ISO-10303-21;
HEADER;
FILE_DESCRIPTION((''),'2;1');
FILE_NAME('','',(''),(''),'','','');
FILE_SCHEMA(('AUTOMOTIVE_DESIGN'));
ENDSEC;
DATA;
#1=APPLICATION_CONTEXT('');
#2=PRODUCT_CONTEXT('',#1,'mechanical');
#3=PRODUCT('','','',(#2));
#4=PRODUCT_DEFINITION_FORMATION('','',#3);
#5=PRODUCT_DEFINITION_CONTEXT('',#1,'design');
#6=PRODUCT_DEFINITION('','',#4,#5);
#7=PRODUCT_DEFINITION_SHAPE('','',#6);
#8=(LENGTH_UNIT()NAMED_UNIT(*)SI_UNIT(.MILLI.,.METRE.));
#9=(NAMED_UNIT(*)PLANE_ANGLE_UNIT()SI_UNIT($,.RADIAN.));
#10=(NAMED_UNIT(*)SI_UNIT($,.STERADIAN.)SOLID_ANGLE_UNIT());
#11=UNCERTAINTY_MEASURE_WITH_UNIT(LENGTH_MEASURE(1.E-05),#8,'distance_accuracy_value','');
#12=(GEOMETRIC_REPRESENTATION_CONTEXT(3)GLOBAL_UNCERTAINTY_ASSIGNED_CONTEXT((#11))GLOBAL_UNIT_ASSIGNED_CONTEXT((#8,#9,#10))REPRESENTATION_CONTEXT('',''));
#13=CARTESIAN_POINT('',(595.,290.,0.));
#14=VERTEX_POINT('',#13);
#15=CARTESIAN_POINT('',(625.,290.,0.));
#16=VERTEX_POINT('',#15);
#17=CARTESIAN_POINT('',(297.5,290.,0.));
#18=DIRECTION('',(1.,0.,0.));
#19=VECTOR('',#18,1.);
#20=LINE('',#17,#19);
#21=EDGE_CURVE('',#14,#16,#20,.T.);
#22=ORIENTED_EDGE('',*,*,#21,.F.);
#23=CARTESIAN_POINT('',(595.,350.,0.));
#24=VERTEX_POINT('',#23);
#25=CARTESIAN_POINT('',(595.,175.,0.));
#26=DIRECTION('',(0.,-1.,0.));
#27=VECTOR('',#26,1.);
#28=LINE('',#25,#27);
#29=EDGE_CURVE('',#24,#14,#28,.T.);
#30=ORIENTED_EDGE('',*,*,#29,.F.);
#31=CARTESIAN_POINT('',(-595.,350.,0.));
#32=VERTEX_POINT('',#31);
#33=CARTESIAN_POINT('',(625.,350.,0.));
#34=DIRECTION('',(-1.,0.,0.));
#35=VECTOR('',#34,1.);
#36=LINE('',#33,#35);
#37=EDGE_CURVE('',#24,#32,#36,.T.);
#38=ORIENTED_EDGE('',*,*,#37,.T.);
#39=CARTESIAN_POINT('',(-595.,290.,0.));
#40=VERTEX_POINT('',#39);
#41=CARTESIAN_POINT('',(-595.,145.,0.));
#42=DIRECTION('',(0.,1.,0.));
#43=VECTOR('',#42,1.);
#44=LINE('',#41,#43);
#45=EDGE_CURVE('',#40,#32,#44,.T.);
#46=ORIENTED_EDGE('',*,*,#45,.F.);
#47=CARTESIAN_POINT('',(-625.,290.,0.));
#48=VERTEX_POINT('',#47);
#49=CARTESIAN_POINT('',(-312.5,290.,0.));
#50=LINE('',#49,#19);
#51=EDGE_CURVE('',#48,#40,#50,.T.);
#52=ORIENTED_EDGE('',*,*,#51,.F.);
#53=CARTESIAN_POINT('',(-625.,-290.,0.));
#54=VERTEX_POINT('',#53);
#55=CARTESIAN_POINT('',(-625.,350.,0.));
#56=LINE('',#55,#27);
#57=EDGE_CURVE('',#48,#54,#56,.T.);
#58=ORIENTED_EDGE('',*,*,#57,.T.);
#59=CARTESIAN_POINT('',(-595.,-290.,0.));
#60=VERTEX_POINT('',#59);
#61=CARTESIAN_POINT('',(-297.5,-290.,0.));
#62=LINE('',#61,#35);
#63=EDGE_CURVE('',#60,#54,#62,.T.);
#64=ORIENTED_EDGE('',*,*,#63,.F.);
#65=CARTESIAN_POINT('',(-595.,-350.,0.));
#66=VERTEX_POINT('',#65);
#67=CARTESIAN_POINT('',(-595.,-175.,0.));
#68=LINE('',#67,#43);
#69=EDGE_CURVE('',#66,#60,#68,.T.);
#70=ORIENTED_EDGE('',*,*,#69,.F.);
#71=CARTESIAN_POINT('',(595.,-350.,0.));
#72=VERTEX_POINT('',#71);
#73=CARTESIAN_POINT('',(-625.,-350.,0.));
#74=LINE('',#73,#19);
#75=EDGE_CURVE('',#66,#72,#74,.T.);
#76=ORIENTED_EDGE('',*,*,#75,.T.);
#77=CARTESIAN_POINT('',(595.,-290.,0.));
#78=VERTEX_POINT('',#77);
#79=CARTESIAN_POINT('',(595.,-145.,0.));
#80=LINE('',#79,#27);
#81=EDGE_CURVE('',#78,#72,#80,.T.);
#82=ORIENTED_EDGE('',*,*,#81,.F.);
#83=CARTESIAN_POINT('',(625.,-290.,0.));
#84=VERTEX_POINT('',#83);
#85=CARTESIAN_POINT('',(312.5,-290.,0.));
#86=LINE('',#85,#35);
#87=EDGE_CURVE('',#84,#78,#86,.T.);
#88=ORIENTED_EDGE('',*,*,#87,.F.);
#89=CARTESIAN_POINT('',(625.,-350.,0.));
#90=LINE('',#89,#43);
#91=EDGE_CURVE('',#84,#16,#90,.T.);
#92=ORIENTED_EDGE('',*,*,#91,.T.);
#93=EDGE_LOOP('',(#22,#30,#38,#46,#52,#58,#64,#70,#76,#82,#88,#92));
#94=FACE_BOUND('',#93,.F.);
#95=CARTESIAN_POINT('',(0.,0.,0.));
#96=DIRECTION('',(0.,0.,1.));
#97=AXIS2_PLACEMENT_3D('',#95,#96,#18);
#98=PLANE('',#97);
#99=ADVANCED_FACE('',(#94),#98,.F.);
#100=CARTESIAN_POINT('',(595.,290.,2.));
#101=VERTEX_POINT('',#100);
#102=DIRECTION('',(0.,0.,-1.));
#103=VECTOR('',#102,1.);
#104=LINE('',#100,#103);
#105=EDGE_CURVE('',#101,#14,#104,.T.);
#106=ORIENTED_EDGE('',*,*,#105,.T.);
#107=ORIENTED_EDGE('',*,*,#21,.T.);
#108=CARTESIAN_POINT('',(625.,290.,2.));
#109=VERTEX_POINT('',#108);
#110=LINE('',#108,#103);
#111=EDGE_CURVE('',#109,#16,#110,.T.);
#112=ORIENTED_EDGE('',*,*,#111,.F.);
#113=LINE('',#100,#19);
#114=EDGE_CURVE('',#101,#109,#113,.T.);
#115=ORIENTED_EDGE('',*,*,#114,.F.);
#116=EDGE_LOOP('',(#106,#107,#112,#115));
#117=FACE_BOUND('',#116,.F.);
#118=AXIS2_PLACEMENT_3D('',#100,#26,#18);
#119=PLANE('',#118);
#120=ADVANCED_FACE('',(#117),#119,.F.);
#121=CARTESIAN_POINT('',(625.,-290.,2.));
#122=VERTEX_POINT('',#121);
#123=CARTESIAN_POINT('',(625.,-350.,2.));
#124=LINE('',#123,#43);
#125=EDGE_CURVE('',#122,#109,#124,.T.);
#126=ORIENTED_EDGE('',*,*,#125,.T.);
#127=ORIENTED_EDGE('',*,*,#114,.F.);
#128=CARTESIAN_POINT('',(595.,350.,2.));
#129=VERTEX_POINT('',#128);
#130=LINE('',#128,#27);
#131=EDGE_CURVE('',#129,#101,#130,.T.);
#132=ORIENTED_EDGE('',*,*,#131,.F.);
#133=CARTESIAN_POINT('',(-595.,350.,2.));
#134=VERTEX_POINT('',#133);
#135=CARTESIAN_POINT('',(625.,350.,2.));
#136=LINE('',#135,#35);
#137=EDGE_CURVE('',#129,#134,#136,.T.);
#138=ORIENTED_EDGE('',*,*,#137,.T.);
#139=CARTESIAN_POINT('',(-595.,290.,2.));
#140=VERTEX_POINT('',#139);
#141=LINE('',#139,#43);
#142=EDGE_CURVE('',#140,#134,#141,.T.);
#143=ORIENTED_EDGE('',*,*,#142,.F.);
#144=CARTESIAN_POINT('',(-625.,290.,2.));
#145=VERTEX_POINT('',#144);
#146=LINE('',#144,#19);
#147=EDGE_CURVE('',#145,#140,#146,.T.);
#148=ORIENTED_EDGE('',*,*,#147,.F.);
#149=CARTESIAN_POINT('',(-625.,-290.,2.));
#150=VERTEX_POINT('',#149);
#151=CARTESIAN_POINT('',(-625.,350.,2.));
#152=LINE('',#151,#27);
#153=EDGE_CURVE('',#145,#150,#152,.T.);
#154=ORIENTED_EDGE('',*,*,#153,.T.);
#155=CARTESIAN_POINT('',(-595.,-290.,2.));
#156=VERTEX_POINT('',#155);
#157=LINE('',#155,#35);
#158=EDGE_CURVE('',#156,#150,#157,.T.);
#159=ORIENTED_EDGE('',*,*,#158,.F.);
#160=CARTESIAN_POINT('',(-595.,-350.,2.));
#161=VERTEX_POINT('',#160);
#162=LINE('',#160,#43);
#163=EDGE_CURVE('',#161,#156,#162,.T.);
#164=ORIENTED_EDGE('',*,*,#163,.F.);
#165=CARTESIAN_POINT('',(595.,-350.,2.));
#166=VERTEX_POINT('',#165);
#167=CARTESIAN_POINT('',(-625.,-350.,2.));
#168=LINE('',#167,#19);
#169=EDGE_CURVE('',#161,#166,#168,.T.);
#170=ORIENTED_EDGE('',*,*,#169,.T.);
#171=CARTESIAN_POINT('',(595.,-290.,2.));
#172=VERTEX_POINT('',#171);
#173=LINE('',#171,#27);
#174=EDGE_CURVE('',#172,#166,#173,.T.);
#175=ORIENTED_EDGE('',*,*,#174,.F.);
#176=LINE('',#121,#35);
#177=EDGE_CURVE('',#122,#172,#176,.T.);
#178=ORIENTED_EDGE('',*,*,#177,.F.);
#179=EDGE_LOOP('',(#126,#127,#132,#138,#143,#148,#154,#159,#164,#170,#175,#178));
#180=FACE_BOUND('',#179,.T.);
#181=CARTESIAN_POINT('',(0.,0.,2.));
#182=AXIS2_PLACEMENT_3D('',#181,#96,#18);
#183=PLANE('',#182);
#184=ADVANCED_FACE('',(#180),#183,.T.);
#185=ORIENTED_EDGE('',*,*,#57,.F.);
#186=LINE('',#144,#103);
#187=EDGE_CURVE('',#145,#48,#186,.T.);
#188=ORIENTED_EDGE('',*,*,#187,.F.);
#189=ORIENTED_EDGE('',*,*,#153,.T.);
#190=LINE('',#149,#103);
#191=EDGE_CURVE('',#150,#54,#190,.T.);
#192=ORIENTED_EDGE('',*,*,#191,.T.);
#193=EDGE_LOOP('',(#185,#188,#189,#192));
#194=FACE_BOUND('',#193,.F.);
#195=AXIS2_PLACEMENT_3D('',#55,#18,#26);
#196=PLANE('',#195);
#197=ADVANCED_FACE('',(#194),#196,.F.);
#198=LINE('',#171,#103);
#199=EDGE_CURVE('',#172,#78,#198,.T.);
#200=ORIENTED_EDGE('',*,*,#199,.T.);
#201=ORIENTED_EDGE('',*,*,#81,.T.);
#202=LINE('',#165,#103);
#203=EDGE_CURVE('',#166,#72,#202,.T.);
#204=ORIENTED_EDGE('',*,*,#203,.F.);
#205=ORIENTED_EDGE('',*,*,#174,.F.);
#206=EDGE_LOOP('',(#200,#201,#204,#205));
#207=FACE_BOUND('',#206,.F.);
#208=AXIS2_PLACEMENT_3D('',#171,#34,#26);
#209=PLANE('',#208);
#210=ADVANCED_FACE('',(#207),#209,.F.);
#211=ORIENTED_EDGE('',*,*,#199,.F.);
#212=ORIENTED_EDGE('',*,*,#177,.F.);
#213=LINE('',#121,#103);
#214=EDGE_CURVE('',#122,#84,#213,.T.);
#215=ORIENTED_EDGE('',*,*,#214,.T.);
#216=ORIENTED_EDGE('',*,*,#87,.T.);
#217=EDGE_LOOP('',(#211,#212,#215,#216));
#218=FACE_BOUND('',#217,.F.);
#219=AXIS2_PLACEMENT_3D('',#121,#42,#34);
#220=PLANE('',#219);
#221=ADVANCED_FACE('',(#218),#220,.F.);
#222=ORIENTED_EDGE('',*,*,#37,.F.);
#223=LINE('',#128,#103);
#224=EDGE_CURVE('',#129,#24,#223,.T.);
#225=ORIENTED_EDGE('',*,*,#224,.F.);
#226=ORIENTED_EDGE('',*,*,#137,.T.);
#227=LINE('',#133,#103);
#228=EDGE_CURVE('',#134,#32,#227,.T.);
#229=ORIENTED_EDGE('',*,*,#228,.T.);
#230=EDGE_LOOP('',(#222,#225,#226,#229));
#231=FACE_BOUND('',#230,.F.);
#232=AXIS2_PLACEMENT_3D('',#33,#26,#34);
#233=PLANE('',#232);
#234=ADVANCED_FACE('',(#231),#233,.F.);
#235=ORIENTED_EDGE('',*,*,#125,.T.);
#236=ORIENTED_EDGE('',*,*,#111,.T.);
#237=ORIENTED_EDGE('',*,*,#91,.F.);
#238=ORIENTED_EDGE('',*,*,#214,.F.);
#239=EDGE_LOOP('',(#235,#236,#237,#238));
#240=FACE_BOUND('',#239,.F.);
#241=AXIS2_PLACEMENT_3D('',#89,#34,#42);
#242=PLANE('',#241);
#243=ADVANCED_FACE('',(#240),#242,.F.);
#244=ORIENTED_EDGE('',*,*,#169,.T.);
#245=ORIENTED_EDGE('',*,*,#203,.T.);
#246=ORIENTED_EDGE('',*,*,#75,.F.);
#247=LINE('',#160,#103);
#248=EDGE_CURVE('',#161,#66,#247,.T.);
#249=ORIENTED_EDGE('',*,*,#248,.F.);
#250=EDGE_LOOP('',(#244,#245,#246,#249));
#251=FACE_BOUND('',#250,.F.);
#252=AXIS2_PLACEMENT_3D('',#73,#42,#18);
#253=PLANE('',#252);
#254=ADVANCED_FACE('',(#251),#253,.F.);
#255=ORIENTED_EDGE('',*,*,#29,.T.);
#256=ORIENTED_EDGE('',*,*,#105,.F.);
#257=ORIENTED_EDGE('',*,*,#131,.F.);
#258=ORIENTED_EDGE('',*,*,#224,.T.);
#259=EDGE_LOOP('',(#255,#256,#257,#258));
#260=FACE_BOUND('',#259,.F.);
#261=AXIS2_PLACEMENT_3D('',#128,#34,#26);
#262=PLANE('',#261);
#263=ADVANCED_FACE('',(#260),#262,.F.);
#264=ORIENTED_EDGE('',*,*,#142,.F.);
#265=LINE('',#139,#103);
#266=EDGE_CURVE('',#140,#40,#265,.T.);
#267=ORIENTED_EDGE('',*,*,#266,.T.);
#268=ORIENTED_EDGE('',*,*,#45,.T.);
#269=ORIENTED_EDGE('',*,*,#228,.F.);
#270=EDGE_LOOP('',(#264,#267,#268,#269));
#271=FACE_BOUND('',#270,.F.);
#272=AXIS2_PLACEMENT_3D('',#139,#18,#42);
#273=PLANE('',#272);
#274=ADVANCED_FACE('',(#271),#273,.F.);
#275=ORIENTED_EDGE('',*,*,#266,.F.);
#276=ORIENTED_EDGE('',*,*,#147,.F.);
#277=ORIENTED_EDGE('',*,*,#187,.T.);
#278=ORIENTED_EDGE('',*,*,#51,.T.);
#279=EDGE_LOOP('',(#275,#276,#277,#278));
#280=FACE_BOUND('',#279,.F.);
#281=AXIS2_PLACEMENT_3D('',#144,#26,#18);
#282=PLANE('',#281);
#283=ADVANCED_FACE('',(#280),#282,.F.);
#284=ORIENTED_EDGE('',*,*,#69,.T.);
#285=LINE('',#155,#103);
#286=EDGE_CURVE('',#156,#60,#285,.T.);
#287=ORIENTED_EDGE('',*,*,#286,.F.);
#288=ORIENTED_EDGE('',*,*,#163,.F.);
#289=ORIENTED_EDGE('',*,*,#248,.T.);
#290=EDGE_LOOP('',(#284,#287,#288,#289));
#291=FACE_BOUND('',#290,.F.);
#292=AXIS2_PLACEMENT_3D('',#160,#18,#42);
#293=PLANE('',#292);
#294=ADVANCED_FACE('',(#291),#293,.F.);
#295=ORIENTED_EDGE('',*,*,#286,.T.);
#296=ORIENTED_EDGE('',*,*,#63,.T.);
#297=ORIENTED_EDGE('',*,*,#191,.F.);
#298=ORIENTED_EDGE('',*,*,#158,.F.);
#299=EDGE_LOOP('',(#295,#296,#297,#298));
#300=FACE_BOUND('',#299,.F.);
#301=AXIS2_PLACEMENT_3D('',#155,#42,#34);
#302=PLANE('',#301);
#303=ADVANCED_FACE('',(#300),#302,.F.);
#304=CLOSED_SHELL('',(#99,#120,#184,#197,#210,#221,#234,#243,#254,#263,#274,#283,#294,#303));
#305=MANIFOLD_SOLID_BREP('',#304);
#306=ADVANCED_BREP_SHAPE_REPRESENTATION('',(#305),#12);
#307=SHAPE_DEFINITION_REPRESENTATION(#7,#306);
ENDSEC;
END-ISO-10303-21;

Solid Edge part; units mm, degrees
sketch "Sketch1" plane through (0, 0, 0) normal (0, 0, 1) x (1, 0, 0)
  line L0 (-625, -350) -> (625, -350)
  line L1 (625, -350) -> (625, 350)
  line L2 (625, 350) -> (-625, 350)
  line L3 (-625, 350) -> (-625, -350)
extrude "Protrusion1" add sketch "Sketch1" along normal blind 2
sketch "Sketch2" plane through (0, 0, 2) normal (0, 0, 1) x (0, 1, 0)
  line L0 (290, 595) -> (350, 595)
  line L1 (350, 595) -> (350, 625)
  line L2 (350, 625) -> (290, 625)
  line L3 (290, 625) -> (290, 595)
  line L4 (-350, 595) -> (-290, 595)
  line L5 (-290, 595) -> (-290, 625)
  line L6 (-290, 625) -> (-350, 625)
  line L7 (-350, 625) -> (-350, 595)
  line L8 (290, -595) -> (290, -625)
  line L9 (290, -625) -> (350, -625)
  line L10 (350, -625) -> (350, -595)
  line L11 (350, -595) -> (290, -595)
  line L12 (-290, -625) -> (-290, -595)
  line L13 (-290, -595) -> (-350, -595)
  line L14 (-350, -595) -> (-350, -625)
  line L15 (-350, -625) -> (-290, -625)
extrude "ExtrudedCutout_1" cut sketch "Sketch2" against normal blind 725.2421
